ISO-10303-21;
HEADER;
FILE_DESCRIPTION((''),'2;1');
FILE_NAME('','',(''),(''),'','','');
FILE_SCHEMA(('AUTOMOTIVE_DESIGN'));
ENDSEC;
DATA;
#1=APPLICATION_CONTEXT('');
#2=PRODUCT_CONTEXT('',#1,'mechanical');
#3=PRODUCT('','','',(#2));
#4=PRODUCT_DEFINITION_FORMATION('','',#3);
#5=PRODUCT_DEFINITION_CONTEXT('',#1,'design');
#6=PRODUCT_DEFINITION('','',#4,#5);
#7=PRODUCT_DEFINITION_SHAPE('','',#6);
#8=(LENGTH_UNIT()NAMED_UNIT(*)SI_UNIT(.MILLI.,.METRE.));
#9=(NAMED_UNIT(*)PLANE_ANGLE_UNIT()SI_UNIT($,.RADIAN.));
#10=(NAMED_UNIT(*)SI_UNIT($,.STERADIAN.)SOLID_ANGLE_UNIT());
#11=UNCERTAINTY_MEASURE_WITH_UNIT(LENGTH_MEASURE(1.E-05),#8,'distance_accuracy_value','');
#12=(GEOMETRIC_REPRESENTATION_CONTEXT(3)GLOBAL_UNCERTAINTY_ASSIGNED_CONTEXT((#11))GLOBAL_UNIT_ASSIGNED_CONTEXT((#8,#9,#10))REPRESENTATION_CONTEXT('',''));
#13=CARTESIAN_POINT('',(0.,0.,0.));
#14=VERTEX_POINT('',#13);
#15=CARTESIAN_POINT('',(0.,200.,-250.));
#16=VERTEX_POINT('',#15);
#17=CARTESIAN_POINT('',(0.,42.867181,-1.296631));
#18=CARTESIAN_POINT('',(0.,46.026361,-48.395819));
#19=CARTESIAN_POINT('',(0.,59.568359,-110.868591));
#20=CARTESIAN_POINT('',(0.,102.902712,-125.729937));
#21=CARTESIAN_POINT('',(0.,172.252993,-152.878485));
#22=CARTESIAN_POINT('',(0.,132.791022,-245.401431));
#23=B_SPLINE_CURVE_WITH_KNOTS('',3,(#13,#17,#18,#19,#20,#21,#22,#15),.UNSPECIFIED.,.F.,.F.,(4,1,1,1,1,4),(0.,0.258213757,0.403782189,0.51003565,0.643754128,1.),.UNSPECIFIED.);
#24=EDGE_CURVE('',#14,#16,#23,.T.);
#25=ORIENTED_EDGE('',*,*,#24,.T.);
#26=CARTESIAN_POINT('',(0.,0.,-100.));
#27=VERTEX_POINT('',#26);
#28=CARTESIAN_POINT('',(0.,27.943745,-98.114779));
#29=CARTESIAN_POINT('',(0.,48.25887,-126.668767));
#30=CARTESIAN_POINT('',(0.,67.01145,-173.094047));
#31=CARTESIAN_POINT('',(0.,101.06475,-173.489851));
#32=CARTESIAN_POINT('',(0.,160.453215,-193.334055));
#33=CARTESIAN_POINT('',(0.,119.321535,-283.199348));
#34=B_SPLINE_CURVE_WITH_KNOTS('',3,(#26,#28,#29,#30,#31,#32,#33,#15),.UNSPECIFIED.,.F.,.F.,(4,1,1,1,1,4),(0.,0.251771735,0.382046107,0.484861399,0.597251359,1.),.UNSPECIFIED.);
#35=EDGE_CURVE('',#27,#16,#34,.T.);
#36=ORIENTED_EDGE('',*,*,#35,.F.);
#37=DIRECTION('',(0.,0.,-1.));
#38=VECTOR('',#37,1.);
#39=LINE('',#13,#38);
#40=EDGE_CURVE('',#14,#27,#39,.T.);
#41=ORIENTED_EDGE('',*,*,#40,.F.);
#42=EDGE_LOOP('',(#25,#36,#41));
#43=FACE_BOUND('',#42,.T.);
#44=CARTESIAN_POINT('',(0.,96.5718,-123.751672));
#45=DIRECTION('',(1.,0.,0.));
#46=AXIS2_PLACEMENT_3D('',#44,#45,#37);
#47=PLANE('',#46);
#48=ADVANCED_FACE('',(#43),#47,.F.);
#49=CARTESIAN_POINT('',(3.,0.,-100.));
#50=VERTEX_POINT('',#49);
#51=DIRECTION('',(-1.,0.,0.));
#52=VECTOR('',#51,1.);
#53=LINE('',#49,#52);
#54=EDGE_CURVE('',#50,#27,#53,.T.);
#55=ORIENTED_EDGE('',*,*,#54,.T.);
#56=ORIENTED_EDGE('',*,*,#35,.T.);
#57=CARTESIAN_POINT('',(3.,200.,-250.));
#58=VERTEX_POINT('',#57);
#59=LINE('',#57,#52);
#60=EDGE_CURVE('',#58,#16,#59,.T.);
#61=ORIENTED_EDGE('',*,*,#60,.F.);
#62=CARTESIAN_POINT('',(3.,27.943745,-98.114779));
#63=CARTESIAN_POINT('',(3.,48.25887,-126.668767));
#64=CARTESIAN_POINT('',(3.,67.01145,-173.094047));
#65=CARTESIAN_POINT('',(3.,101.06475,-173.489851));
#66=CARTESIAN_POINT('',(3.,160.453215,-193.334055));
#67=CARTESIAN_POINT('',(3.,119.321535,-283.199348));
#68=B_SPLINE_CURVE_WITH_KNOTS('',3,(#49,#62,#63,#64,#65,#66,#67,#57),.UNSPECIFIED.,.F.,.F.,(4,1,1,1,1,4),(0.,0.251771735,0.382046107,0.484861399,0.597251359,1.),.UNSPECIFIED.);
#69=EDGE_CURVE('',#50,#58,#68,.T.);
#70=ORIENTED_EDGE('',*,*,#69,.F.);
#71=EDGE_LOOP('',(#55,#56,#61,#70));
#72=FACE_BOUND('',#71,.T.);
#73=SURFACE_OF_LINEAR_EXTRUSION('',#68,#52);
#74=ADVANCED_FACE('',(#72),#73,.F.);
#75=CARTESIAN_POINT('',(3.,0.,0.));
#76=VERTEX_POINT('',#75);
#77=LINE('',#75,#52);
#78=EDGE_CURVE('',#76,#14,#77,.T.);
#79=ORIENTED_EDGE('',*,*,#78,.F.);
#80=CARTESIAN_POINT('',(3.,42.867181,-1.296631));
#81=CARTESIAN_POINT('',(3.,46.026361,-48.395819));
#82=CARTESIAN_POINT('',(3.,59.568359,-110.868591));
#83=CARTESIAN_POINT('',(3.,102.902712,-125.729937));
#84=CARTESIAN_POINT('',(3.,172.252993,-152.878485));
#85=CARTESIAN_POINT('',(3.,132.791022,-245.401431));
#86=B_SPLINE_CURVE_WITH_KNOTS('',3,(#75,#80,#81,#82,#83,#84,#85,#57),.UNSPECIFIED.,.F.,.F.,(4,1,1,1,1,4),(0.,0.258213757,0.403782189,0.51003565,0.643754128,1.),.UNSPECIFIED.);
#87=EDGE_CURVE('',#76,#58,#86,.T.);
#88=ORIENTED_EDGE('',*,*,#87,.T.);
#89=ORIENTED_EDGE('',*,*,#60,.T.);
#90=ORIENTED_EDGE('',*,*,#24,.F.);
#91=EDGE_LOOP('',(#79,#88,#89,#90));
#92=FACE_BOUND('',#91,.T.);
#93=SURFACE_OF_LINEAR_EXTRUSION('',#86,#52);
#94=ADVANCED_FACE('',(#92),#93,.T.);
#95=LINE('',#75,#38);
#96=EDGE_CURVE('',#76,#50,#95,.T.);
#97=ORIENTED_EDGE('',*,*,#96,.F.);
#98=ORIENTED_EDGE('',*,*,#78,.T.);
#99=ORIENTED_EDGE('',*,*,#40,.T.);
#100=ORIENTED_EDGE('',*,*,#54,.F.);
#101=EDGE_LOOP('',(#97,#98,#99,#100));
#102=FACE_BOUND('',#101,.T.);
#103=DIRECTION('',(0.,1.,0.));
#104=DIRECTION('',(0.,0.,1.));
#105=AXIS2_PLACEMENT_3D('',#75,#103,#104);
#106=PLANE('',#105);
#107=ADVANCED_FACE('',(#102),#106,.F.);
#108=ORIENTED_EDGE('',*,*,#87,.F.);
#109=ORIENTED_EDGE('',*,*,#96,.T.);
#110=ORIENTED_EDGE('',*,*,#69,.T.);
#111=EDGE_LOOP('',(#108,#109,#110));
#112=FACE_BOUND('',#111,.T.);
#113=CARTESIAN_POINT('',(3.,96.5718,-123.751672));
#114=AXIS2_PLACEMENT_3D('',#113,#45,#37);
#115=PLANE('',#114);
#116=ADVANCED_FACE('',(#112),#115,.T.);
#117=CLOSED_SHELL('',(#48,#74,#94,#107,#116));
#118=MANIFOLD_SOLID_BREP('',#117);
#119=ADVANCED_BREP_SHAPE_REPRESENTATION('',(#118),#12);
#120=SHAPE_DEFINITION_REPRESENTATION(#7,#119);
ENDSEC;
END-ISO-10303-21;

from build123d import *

# Parameters (mm, degrees)
BOSS_EXTRUDE1_DEPTH = 3


with BuildPart() as part:
    # Sketch2 → Boss-Extrude1 (new body)
    with BuildSketch(Plane(origin=(0, 0, 0), x_dir=(0, 0, -1), z_dir=(1, 0, 0))):
        with BuildLine():
            Line((0, 0), (100, 0))
            add(Edge.make_bspline(
                [(100, 0), (98.114779477, 27.943745364), (126.668766505, 48.258870479), (173.094046969, 67.011449525), (173.489851015, 101.064750008), (193.334055137, 160.453215445), (283.199348363, 119.321534616), (250, 200)],
                knots=[0, 0, 0, 0, 0.251771735, 0.382046107, 0.484861399, 0.597251359, 1, 1, 1, 1], degree=3))
            add(Edge.make_bspline(
                [(0, 0), (1.296631031, 42.867181234), (48.395819211, 46.026360786), (110.868590671, 59.568359073), (125.72993736, 102.902711958), (152.878485336, 172.252993095), (245.40143086, 132.791021891), (250, 200)],
                knots=[0, 0, 0, 0, 0.258213757, 0.403782189, 0.51003565, 0.643754128, 1, 1, 1, 1], degree=3))
        make_face()
    extrude(amount=BOSS_EXTRUDE1_DEPTH)


solid = part.part
